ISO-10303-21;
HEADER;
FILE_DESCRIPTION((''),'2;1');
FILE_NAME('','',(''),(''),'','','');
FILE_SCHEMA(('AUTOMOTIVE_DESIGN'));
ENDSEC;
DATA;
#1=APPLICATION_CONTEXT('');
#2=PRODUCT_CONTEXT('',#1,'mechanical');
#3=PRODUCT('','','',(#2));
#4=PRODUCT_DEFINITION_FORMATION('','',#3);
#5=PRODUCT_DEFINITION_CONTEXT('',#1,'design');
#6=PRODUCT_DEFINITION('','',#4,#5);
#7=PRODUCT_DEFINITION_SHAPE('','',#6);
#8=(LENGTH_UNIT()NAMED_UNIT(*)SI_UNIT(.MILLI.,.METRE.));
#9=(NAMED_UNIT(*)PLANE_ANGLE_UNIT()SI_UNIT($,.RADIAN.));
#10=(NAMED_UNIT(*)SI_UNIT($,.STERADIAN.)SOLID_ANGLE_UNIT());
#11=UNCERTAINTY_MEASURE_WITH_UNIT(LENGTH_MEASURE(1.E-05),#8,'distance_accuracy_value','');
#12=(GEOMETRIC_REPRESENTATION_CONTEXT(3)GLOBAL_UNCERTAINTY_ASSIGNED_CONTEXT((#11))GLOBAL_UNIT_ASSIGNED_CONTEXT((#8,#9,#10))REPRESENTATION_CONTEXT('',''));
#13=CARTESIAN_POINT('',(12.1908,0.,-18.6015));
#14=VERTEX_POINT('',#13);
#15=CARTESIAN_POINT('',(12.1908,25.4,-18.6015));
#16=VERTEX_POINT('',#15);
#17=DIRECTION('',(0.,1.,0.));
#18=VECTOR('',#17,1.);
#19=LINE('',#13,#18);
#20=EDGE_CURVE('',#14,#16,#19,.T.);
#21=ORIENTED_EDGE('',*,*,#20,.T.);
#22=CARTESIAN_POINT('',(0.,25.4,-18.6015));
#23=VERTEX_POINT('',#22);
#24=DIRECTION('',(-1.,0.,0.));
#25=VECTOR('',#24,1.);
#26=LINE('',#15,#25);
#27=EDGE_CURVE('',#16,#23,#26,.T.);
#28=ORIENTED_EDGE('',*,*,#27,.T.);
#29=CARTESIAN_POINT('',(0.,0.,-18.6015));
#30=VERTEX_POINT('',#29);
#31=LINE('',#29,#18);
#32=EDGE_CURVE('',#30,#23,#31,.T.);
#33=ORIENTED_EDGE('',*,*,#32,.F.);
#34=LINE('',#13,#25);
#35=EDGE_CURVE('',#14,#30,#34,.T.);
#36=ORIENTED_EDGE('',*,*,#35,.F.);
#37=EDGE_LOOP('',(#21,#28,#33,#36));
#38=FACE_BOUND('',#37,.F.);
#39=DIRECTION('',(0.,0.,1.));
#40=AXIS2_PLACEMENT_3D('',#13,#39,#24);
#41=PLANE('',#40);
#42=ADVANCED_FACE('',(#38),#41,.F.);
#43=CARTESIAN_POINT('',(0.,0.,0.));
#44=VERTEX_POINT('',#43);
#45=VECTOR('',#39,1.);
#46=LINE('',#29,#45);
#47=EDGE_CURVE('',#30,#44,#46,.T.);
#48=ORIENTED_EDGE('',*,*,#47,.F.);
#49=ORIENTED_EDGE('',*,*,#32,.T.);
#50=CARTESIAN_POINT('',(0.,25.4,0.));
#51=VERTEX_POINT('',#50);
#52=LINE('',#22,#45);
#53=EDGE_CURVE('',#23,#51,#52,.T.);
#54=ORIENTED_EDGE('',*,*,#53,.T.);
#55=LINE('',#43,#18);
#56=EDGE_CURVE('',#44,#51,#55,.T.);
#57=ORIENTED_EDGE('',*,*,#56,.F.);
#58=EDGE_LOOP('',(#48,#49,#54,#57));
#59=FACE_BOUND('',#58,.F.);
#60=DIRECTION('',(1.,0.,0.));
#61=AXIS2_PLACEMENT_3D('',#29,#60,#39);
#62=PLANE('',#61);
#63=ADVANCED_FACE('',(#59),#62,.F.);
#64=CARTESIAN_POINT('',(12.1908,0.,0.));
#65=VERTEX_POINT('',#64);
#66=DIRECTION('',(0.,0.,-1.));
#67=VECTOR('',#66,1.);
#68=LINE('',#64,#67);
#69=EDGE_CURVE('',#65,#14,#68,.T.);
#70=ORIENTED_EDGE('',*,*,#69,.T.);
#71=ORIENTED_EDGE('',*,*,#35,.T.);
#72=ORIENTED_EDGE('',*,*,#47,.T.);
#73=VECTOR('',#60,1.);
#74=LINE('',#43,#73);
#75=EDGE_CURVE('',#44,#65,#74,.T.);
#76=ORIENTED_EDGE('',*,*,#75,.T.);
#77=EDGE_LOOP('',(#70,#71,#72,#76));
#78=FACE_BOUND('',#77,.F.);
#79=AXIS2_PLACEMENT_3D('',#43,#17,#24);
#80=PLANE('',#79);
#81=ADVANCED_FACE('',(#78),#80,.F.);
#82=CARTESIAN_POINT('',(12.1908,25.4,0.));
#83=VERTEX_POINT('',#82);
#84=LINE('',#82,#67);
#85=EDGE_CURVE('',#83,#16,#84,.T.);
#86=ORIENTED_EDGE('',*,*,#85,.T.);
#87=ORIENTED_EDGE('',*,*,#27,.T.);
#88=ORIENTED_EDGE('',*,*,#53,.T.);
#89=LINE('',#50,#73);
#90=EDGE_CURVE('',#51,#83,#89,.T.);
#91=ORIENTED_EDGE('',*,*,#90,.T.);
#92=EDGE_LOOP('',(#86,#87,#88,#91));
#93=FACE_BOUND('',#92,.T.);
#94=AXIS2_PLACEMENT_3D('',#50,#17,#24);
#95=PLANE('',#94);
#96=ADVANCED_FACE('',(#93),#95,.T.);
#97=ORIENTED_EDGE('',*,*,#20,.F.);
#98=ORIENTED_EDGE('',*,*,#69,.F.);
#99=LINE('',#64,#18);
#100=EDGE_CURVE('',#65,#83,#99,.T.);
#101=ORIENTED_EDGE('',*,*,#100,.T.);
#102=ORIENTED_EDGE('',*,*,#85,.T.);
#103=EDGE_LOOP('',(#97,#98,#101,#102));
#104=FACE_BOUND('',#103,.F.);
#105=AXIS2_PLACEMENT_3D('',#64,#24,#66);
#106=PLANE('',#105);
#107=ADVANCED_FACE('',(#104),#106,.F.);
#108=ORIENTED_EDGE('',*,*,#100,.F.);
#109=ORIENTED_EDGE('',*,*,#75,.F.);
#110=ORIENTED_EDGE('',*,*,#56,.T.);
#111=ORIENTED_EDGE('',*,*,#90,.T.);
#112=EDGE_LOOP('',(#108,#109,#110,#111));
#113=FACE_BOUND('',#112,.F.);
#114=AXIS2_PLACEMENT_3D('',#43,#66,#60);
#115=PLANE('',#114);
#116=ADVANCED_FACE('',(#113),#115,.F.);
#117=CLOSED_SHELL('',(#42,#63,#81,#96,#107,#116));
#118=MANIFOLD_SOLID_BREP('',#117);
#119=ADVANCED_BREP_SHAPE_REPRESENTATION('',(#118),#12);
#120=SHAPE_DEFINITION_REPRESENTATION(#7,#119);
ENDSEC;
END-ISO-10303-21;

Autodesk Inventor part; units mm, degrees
ref_plane "YZ Plane" through (0, 0, 0) normal (1, 0, 0) x (0, 1, 0)
ref_plane "XZ Plane" through (0, 0, 0) normal (0, 1, 0) x (-1, 0, 0)
ref_plane "XY Plane" through (0, 0, 0) normal (0, 0, 1) x (1, 0, 0)
sketch "Sketch1" plane through (0, 0, 0) normal (0, 1, 0) x (-1, 0, 0)
  line L0 (0, 0) -> (-12.1908, 0)
  line L1 (-12.1908, 0) -> (-12.1908, -18.6015)
  line L2 (-12.1908, -18.6015) -> (0, -18.6015)
  line L3 (0, -18.6015) -> (0, 0)
extrude "Extrusion1" add sketch "Sketch1" along normal blind 25.4
properties part number "Box"
